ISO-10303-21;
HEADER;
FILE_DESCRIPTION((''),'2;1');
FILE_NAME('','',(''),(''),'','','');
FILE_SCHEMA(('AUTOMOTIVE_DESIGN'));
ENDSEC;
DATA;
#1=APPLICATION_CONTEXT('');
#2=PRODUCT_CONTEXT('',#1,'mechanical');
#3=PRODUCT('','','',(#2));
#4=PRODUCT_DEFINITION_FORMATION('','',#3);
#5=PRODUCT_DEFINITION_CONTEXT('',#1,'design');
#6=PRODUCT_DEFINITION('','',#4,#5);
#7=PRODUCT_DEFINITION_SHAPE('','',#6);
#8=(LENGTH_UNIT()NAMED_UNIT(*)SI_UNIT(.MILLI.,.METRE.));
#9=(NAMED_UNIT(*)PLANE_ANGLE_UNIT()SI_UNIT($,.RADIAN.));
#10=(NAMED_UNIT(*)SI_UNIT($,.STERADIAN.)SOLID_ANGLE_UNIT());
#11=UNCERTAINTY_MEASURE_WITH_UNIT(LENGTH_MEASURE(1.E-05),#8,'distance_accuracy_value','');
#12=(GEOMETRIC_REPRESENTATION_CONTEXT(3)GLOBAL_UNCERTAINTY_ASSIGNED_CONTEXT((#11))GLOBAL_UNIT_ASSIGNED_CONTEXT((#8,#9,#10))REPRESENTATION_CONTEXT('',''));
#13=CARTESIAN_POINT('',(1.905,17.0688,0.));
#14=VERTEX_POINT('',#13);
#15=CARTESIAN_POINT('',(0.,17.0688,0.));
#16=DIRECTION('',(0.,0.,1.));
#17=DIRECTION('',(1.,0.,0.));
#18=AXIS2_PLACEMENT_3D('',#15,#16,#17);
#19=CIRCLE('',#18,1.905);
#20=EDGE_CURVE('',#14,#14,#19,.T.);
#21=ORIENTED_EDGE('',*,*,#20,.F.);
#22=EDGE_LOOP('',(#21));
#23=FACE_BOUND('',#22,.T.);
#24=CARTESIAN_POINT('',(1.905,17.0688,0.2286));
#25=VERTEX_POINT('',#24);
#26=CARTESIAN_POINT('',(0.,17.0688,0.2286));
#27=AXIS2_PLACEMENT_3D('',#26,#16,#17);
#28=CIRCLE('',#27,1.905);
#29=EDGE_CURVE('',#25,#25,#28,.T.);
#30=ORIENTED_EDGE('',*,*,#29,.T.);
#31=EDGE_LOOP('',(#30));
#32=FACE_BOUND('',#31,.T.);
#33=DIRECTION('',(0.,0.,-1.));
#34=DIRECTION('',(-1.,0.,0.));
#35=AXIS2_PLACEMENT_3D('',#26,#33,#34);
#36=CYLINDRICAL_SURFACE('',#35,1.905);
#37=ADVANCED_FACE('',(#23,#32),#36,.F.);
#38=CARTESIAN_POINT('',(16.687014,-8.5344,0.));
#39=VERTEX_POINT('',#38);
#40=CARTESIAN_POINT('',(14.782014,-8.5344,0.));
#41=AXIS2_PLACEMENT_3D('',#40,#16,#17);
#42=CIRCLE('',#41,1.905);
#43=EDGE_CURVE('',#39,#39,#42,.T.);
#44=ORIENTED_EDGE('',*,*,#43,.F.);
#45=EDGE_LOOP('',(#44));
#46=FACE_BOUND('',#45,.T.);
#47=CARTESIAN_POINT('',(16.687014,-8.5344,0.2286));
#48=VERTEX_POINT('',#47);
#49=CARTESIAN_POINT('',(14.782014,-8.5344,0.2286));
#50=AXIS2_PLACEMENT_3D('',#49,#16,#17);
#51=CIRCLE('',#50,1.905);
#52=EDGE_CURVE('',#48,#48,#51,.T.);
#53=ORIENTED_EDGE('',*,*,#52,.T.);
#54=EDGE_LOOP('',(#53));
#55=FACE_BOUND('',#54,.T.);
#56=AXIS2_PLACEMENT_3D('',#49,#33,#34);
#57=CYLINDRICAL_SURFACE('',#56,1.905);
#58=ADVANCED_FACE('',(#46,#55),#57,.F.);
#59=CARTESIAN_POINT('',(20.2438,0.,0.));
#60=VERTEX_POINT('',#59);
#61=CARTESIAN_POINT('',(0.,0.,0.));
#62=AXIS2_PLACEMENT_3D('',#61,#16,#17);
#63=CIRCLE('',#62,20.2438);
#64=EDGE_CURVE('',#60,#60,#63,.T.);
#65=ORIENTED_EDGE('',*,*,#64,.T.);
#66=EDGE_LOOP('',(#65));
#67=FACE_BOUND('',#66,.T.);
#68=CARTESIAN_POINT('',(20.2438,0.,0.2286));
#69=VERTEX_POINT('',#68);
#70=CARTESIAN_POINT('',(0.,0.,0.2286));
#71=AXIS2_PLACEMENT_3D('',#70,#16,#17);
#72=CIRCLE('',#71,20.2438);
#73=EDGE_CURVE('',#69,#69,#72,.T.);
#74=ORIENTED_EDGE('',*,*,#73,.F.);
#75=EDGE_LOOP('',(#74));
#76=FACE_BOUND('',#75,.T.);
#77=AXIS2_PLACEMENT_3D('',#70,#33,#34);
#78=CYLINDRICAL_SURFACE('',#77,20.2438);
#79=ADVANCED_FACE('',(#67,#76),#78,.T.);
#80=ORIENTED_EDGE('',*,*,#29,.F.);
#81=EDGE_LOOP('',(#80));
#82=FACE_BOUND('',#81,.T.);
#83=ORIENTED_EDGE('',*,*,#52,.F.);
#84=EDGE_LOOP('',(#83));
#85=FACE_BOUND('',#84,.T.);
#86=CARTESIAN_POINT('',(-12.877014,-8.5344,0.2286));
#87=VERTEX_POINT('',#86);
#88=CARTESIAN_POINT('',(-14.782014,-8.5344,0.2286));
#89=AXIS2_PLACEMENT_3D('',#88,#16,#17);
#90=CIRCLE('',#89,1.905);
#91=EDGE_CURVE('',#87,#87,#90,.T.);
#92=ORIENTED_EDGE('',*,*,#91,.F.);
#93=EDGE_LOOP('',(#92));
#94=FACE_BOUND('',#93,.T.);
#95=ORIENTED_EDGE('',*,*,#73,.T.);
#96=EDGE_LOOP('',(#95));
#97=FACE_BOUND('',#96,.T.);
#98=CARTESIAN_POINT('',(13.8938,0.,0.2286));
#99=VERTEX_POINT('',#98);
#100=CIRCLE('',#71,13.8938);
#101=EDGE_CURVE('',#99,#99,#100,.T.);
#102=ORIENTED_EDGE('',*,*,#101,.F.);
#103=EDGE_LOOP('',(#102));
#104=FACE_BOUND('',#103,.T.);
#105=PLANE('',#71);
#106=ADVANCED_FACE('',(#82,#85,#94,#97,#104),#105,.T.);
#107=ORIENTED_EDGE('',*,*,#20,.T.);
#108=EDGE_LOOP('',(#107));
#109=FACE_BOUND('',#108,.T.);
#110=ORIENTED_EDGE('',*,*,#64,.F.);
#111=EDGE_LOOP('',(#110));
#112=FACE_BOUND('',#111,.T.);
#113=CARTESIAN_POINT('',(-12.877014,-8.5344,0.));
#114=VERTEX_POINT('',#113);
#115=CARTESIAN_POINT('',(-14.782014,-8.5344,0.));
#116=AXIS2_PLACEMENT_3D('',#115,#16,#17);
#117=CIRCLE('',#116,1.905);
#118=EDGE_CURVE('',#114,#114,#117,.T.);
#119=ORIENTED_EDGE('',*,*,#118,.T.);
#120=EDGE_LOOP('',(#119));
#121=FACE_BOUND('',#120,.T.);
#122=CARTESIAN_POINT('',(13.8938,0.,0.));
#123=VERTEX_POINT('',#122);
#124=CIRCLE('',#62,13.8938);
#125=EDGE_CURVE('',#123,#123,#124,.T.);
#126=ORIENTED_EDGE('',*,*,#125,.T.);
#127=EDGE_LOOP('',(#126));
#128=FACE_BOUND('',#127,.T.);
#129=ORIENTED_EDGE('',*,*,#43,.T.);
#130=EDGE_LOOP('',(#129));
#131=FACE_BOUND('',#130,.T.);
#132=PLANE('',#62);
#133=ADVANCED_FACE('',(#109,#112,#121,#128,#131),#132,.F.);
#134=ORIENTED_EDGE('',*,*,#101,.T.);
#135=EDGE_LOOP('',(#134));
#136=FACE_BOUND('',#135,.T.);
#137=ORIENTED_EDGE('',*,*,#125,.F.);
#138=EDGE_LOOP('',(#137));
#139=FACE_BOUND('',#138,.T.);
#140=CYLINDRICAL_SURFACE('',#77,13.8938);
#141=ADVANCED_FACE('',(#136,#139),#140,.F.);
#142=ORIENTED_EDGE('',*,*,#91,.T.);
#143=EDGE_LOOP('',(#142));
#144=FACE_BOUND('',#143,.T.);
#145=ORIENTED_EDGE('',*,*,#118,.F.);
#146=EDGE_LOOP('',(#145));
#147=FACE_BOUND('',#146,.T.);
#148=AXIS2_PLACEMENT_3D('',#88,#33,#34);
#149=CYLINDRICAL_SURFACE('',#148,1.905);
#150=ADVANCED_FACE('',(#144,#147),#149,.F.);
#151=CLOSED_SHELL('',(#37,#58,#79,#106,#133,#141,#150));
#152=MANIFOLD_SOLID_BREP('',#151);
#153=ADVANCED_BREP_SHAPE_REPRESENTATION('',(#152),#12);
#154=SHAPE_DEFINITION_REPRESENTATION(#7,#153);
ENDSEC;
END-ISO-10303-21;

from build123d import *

# Parameters (mm, degrees)
SKETCH1_R           = 20.2438
SKETCH1_R_2         = 13.8938
SKETCH1_R_3         = 1.905
BOSS_EXTRUDE1_DEPTH = 0.2286


with BuildPart() as part:
    # Sketch1 → Boss-Extrude1 (new body)
    with BuildSketch(Plane.XY):
        Circle(SKETCH1_R)
        Circle(SKETCH1_R_2, mode=Mode.SUBTRACT)
        with Locations((0, 17.0688)):
            Circle(SKETCH1_R_3, mode=Mode.SUBTRACT)
        with Locations((14.782014412, -8.5344)):
            Circle(SKETCH1_R_3, mode=Mode.SUBTRACT)
        with Locations((-14.782014412, -8.5344)):
            Circle(SKETCH1_R_3, mode=Mode.SUBTRACT)
    extrude(amount=BOSS_EXTRUDE1_DEPTH)


solid = part.part
